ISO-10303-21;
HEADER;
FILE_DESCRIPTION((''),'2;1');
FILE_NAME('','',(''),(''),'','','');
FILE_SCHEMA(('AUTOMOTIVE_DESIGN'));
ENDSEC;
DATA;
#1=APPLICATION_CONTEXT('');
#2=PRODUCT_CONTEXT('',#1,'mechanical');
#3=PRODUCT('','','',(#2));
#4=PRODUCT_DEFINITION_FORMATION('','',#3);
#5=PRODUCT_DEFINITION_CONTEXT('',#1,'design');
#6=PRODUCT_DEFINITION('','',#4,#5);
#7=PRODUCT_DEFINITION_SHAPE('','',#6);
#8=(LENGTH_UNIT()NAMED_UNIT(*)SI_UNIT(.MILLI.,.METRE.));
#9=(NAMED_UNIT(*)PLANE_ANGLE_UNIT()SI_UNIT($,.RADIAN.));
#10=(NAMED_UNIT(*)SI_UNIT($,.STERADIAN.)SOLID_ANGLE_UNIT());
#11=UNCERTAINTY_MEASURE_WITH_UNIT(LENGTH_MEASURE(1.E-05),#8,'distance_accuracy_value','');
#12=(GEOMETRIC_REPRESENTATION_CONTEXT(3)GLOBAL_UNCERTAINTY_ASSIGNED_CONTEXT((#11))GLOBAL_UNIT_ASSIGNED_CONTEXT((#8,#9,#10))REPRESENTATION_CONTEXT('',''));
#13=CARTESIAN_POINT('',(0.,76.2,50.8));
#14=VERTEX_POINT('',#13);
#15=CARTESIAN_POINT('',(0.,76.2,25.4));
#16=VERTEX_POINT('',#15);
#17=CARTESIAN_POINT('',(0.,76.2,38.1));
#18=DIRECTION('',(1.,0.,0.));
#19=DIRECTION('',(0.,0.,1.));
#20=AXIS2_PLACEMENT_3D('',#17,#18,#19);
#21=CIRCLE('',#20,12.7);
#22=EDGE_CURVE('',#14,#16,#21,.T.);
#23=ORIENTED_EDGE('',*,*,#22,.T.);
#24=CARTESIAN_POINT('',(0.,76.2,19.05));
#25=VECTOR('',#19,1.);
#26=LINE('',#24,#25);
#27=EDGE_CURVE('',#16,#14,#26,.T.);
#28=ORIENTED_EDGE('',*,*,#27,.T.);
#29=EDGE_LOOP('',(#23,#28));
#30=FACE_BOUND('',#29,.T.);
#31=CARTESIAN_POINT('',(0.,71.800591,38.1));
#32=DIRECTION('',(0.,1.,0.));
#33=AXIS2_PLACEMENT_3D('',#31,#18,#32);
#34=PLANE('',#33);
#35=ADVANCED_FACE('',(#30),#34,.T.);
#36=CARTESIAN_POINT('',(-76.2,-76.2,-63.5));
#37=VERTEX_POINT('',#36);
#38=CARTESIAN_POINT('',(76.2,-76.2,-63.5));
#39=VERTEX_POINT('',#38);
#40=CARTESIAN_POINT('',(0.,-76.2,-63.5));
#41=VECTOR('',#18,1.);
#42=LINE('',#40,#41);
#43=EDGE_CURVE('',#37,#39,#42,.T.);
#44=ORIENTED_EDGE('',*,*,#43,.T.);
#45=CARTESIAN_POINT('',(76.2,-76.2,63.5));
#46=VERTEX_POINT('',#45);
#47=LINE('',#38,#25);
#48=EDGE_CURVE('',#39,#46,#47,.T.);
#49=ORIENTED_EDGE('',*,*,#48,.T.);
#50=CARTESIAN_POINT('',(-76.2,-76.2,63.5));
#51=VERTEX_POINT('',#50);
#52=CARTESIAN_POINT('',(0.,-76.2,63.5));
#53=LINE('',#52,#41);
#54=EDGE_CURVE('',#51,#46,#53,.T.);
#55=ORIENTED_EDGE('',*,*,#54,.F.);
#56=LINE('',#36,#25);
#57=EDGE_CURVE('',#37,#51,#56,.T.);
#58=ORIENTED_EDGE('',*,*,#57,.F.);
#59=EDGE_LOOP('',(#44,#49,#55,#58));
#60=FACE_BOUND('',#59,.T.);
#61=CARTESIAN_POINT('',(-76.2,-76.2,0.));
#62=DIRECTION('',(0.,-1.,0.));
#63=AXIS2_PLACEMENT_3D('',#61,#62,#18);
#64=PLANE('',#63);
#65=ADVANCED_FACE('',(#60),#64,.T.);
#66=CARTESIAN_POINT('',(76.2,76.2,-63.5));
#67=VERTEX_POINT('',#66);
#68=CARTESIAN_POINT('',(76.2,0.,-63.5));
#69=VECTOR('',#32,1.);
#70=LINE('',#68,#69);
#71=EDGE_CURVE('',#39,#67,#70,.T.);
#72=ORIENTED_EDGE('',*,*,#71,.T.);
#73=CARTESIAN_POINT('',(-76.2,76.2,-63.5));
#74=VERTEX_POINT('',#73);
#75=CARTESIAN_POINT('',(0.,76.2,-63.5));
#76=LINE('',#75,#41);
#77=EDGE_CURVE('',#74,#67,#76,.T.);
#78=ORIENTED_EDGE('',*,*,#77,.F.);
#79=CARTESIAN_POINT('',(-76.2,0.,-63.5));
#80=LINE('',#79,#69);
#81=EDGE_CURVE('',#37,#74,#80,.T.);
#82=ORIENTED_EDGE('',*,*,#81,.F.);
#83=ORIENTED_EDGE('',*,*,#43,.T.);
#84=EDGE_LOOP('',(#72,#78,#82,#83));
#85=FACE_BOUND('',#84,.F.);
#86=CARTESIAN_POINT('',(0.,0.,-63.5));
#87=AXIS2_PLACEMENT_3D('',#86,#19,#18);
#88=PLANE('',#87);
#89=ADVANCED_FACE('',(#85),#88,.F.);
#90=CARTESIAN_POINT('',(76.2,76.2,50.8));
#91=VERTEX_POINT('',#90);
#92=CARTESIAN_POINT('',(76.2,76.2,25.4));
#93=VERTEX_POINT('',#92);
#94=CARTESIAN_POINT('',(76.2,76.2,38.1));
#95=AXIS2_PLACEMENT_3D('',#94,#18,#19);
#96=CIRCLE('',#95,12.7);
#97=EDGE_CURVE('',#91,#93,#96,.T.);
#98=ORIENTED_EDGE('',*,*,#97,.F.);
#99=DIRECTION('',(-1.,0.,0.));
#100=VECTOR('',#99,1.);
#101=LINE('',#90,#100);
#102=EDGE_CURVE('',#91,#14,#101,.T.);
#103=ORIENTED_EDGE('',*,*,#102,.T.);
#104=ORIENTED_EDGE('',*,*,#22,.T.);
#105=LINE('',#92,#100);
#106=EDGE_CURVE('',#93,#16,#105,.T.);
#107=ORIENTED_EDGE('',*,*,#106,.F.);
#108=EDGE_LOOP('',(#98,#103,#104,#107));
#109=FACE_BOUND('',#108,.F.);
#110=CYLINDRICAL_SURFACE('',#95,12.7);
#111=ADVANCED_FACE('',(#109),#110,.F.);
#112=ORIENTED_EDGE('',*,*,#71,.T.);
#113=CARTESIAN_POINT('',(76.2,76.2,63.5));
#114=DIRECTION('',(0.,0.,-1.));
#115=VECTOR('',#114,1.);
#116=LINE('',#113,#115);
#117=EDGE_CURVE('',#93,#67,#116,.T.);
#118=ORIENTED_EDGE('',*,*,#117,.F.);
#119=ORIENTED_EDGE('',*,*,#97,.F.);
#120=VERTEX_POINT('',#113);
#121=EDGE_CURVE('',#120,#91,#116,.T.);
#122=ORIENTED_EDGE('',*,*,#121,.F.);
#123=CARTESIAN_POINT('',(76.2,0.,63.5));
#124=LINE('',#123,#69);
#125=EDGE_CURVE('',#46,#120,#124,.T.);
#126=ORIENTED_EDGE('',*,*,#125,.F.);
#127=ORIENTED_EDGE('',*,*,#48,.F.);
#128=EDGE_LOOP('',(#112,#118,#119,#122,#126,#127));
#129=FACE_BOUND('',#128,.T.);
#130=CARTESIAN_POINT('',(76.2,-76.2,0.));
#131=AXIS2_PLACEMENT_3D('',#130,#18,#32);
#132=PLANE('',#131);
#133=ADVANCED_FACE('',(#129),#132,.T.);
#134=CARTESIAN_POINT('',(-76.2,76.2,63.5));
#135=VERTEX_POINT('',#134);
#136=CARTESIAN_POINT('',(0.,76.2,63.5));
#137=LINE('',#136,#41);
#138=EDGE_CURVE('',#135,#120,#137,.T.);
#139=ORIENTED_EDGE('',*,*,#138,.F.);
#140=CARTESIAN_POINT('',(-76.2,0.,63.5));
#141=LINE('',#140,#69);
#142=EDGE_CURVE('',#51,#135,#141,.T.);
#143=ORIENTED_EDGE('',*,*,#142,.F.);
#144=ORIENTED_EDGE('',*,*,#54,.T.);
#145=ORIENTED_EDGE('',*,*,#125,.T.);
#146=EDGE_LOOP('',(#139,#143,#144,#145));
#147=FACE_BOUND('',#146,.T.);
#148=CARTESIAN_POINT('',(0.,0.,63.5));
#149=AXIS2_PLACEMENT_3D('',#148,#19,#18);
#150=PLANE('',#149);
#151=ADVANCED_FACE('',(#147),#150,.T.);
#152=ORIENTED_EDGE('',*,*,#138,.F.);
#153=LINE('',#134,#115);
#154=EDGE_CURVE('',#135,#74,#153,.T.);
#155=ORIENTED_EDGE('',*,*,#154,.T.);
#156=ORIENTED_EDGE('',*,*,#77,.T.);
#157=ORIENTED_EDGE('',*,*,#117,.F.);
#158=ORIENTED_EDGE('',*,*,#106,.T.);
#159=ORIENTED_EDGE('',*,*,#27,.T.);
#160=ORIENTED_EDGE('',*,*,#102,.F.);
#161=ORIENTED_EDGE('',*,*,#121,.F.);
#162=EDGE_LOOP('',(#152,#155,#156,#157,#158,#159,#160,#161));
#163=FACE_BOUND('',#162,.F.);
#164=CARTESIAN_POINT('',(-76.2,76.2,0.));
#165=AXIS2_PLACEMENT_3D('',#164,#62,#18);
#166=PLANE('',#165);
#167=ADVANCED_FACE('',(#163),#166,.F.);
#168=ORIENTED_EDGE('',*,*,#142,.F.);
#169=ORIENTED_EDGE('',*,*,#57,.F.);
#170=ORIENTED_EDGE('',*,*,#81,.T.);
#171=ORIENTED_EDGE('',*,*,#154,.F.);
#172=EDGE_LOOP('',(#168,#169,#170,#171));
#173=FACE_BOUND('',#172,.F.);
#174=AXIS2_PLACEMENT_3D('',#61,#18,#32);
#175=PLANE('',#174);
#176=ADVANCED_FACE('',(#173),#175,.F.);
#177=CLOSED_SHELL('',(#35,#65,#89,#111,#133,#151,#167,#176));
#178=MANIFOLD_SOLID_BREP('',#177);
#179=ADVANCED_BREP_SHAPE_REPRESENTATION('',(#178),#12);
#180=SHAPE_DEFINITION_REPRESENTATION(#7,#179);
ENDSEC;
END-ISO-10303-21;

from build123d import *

# Parameters (mm, degrees)
F0_W     = 152.4
F0_H     = 152.4
F1_DEPTH = 63.5
F3_DEPTH = 76.2


with BuildPart() as f1:
    # F0 (on Top) → F1 (new body, symmetric)
    with BuildSketch(Plane.XY):
        Rectangle(F0_W, F0_H)
    extrude(amount=F1_DEPTH, both=True)

    # F2 (on face) → F3 (cut)
    with BuildSketch(Plane.YZ.offset(76.2)):
        with BuildLine():
            Line((76.2, 25.4), (76.2, 50.8))
            ThreePointArc((76.2, 50.8), (63.5, 38.1), (76.2, 25.4))
        make_face()
        with BuildLine():
            ThreePointArc((76.2, 25.4), (85.180256, 29.119744), (88.9, 38.1))
            ThreePointArc((88.9, 38.1), (85.180256, 47.080256), (76.2, 50.8))
            Line((76.2, 50.8), (76.2, 25.4))
        make_face()
    extrude(amount=-F3_DEPTH, mode=Mode.SUBTRACT)


solid = f1.part
